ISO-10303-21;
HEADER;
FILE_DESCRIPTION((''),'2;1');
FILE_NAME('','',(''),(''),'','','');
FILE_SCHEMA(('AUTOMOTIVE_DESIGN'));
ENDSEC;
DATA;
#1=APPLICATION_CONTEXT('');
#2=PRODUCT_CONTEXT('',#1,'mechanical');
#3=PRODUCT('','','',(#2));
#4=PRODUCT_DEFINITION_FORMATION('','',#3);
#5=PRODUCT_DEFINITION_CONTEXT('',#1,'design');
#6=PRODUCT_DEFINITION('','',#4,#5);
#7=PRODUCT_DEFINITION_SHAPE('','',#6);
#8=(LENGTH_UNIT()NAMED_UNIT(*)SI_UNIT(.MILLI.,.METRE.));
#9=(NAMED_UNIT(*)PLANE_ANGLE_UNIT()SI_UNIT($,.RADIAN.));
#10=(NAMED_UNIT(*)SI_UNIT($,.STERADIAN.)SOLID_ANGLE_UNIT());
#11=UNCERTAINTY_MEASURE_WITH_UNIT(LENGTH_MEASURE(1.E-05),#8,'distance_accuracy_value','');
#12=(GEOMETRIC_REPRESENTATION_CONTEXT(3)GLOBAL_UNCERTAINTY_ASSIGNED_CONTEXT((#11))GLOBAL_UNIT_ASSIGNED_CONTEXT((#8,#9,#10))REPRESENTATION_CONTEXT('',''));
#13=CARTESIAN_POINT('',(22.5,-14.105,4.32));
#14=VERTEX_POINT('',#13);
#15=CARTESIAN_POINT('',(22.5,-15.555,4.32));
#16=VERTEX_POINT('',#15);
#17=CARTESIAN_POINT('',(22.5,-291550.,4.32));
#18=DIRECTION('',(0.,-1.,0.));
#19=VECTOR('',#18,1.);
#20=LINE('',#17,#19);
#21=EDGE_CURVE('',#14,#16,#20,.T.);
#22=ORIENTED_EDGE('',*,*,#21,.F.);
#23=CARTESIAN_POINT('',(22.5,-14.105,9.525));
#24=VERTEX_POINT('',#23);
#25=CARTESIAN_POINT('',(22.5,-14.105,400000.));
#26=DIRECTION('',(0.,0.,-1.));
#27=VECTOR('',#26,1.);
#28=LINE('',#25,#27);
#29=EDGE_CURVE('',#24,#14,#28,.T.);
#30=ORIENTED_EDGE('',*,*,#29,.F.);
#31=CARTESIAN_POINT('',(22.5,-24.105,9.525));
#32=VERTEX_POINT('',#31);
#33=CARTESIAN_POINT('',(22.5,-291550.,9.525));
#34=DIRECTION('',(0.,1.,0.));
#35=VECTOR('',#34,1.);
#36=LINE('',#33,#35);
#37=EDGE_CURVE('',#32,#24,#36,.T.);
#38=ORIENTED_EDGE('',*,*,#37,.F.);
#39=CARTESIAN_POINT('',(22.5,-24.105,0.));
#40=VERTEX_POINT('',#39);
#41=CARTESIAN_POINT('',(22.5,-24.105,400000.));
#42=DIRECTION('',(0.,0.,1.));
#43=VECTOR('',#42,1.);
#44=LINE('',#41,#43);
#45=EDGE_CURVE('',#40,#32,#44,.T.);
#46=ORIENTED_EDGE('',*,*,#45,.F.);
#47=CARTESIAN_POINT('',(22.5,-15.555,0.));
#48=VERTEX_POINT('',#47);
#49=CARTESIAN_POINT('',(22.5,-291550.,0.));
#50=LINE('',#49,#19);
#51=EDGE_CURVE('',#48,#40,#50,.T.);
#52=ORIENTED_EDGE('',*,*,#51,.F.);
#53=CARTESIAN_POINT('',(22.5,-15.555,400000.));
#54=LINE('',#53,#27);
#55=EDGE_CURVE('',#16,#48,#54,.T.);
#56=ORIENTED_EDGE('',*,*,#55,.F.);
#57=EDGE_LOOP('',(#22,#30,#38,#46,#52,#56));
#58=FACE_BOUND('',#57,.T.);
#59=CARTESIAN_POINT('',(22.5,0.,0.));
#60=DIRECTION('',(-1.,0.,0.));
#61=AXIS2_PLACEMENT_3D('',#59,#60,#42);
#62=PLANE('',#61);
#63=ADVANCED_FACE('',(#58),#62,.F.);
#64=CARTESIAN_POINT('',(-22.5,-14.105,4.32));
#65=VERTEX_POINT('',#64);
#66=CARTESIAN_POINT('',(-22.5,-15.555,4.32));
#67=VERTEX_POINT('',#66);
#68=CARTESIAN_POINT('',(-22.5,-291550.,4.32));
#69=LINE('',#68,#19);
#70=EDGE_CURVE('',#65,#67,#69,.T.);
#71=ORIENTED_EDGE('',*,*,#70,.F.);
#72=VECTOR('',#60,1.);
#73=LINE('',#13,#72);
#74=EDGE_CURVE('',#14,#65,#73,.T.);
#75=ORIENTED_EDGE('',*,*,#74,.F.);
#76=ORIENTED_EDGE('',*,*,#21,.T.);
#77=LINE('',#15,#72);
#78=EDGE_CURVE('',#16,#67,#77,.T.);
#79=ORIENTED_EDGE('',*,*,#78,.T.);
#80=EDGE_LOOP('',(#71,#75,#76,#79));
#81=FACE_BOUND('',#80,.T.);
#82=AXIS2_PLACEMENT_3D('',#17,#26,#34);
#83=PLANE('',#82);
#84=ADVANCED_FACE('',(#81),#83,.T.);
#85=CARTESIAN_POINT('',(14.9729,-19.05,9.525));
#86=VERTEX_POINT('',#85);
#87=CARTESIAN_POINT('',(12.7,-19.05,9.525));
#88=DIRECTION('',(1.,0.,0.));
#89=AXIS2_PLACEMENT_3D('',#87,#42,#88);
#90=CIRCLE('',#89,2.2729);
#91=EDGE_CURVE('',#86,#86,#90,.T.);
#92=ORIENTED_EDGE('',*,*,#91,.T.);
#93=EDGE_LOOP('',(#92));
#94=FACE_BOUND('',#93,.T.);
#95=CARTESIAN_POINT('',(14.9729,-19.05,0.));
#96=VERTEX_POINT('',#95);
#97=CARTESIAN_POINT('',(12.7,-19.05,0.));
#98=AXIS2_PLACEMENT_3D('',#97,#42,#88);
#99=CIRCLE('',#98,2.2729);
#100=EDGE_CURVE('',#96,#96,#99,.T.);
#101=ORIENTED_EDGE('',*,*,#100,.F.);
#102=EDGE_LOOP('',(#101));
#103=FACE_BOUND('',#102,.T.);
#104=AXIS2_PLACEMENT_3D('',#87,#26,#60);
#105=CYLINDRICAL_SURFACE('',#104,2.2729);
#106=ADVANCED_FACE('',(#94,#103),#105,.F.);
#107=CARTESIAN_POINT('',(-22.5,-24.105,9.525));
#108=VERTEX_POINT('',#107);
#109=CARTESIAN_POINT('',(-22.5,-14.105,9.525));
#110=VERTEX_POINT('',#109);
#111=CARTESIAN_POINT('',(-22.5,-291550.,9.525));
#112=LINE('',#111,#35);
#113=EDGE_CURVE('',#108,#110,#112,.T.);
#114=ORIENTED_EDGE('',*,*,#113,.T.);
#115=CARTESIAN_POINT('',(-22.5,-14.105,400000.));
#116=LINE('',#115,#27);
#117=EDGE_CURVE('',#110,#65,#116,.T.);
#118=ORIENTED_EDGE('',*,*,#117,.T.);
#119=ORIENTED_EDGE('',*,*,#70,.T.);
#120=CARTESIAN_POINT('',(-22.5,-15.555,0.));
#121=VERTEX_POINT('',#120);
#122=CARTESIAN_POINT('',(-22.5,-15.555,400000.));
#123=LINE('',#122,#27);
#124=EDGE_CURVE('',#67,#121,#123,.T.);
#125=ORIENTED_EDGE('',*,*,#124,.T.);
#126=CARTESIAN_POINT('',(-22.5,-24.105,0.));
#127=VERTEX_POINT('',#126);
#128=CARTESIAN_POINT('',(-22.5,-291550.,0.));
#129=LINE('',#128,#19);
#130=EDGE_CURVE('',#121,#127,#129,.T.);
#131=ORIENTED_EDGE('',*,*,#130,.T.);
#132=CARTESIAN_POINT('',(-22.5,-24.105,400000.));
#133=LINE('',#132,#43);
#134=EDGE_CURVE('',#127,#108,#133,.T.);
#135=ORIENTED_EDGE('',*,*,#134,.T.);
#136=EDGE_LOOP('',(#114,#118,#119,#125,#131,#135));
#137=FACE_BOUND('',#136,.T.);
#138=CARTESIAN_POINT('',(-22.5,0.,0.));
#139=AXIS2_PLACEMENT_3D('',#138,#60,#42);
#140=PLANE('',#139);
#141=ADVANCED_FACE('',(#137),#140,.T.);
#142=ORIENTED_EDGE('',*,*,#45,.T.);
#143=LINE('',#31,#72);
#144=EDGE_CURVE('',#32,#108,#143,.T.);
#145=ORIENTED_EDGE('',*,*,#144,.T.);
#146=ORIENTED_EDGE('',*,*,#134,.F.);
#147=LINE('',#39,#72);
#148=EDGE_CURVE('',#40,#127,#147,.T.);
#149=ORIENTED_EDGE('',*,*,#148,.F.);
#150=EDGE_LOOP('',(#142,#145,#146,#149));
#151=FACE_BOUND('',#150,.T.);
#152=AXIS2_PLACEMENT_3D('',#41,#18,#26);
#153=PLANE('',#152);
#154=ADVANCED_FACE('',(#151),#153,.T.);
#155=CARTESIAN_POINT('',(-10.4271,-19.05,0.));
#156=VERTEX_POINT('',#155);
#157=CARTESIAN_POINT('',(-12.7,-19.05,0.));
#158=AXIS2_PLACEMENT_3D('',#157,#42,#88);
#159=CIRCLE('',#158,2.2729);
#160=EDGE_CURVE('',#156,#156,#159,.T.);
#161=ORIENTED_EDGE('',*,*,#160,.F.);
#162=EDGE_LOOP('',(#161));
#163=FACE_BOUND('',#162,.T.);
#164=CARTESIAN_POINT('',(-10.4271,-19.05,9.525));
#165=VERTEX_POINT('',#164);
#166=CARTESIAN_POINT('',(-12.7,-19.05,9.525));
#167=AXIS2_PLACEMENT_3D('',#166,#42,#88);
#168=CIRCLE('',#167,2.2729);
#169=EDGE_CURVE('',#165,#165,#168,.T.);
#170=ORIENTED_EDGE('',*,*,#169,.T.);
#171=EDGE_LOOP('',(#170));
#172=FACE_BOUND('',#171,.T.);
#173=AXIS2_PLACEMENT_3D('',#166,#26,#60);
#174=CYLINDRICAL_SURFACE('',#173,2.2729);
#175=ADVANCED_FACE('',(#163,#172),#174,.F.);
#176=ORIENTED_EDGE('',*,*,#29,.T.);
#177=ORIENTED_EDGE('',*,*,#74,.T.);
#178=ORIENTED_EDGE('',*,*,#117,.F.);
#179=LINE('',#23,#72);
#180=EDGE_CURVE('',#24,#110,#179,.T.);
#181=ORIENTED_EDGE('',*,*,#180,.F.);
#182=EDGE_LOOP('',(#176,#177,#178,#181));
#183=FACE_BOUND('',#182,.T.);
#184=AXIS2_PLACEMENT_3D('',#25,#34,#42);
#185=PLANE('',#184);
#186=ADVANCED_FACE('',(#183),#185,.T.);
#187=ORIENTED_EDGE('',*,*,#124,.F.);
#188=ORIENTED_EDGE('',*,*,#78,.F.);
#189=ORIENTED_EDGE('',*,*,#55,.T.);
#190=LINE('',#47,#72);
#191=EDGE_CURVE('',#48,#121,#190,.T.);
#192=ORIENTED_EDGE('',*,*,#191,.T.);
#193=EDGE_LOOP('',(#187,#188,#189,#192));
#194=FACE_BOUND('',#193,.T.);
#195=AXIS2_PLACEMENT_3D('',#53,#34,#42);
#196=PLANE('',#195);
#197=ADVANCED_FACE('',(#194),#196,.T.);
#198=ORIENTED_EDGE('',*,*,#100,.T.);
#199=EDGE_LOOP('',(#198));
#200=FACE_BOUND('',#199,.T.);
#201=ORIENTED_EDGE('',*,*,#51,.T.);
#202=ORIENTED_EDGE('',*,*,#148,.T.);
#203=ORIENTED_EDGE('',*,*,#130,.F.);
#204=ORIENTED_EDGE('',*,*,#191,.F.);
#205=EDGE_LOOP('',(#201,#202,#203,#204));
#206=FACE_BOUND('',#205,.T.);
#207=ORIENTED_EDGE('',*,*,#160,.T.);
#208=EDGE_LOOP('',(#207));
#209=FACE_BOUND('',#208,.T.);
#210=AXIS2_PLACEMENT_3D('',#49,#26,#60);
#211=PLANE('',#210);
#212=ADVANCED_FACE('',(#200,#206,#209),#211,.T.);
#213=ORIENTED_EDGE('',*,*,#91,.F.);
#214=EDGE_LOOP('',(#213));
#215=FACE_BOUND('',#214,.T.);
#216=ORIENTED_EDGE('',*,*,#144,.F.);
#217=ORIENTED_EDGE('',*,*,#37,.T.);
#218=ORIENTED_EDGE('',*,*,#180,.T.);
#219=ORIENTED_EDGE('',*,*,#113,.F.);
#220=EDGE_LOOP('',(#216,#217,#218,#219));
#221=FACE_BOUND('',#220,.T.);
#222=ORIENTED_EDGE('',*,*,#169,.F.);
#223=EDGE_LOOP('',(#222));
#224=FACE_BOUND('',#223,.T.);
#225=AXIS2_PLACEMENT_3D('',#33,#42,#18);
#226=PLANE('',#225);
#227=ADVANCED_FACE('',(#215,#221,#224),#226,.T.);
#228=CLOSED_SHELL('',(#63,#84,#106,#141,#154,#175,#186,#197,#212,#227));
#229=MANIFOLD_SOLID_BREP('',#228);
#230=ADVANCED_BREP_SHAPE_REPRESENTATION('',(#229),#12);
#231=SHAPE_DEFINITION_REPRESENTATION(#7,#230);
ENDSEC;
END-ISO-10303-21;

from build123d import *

# Parameters (mm, degrees)
BOSS_EXTRUDE1_DEPTH  = 22.5
MOUNTHOLES_SKETCH_R  = 2.2729
MOUNTHOLES_CUT_DEPTH = 35.322392836


with BuildPart() as part:
    # yExtentCalculator_sketch → Boss-Extrude1 (new, symmetric)
    with BuildSketch(Plane(origin=(0, 0, 0), x_dir=(0, 0, -1), z_dir=(1, 0, 0))):
        Polygon((-9.525, -14.105), (-9.525, -24.105), (0, -24.105), (0, -15.555), (-4.32, -15.555), (-4.32, -14.105), align=None)
    extrude(amount=BOSS_EXTRUDE1_DEPTH, both=True)

    # mountHoles_sketch → mountHoles_cut (cut, through all)
    with BuildSketch(Plane.XY):
        with Locations((12.7, -19.05)):
            Circle(MOUNTHOLES_SKETCH_R)
        with Locations((-12.7, -19.05)):
            Circle(MOUNTHOLES_SKETCH_R)
    extrude(amount=MOUNTHOLES_CUT_DEPTH, mode=Mode.SUBTRACT)


solid = part.part
